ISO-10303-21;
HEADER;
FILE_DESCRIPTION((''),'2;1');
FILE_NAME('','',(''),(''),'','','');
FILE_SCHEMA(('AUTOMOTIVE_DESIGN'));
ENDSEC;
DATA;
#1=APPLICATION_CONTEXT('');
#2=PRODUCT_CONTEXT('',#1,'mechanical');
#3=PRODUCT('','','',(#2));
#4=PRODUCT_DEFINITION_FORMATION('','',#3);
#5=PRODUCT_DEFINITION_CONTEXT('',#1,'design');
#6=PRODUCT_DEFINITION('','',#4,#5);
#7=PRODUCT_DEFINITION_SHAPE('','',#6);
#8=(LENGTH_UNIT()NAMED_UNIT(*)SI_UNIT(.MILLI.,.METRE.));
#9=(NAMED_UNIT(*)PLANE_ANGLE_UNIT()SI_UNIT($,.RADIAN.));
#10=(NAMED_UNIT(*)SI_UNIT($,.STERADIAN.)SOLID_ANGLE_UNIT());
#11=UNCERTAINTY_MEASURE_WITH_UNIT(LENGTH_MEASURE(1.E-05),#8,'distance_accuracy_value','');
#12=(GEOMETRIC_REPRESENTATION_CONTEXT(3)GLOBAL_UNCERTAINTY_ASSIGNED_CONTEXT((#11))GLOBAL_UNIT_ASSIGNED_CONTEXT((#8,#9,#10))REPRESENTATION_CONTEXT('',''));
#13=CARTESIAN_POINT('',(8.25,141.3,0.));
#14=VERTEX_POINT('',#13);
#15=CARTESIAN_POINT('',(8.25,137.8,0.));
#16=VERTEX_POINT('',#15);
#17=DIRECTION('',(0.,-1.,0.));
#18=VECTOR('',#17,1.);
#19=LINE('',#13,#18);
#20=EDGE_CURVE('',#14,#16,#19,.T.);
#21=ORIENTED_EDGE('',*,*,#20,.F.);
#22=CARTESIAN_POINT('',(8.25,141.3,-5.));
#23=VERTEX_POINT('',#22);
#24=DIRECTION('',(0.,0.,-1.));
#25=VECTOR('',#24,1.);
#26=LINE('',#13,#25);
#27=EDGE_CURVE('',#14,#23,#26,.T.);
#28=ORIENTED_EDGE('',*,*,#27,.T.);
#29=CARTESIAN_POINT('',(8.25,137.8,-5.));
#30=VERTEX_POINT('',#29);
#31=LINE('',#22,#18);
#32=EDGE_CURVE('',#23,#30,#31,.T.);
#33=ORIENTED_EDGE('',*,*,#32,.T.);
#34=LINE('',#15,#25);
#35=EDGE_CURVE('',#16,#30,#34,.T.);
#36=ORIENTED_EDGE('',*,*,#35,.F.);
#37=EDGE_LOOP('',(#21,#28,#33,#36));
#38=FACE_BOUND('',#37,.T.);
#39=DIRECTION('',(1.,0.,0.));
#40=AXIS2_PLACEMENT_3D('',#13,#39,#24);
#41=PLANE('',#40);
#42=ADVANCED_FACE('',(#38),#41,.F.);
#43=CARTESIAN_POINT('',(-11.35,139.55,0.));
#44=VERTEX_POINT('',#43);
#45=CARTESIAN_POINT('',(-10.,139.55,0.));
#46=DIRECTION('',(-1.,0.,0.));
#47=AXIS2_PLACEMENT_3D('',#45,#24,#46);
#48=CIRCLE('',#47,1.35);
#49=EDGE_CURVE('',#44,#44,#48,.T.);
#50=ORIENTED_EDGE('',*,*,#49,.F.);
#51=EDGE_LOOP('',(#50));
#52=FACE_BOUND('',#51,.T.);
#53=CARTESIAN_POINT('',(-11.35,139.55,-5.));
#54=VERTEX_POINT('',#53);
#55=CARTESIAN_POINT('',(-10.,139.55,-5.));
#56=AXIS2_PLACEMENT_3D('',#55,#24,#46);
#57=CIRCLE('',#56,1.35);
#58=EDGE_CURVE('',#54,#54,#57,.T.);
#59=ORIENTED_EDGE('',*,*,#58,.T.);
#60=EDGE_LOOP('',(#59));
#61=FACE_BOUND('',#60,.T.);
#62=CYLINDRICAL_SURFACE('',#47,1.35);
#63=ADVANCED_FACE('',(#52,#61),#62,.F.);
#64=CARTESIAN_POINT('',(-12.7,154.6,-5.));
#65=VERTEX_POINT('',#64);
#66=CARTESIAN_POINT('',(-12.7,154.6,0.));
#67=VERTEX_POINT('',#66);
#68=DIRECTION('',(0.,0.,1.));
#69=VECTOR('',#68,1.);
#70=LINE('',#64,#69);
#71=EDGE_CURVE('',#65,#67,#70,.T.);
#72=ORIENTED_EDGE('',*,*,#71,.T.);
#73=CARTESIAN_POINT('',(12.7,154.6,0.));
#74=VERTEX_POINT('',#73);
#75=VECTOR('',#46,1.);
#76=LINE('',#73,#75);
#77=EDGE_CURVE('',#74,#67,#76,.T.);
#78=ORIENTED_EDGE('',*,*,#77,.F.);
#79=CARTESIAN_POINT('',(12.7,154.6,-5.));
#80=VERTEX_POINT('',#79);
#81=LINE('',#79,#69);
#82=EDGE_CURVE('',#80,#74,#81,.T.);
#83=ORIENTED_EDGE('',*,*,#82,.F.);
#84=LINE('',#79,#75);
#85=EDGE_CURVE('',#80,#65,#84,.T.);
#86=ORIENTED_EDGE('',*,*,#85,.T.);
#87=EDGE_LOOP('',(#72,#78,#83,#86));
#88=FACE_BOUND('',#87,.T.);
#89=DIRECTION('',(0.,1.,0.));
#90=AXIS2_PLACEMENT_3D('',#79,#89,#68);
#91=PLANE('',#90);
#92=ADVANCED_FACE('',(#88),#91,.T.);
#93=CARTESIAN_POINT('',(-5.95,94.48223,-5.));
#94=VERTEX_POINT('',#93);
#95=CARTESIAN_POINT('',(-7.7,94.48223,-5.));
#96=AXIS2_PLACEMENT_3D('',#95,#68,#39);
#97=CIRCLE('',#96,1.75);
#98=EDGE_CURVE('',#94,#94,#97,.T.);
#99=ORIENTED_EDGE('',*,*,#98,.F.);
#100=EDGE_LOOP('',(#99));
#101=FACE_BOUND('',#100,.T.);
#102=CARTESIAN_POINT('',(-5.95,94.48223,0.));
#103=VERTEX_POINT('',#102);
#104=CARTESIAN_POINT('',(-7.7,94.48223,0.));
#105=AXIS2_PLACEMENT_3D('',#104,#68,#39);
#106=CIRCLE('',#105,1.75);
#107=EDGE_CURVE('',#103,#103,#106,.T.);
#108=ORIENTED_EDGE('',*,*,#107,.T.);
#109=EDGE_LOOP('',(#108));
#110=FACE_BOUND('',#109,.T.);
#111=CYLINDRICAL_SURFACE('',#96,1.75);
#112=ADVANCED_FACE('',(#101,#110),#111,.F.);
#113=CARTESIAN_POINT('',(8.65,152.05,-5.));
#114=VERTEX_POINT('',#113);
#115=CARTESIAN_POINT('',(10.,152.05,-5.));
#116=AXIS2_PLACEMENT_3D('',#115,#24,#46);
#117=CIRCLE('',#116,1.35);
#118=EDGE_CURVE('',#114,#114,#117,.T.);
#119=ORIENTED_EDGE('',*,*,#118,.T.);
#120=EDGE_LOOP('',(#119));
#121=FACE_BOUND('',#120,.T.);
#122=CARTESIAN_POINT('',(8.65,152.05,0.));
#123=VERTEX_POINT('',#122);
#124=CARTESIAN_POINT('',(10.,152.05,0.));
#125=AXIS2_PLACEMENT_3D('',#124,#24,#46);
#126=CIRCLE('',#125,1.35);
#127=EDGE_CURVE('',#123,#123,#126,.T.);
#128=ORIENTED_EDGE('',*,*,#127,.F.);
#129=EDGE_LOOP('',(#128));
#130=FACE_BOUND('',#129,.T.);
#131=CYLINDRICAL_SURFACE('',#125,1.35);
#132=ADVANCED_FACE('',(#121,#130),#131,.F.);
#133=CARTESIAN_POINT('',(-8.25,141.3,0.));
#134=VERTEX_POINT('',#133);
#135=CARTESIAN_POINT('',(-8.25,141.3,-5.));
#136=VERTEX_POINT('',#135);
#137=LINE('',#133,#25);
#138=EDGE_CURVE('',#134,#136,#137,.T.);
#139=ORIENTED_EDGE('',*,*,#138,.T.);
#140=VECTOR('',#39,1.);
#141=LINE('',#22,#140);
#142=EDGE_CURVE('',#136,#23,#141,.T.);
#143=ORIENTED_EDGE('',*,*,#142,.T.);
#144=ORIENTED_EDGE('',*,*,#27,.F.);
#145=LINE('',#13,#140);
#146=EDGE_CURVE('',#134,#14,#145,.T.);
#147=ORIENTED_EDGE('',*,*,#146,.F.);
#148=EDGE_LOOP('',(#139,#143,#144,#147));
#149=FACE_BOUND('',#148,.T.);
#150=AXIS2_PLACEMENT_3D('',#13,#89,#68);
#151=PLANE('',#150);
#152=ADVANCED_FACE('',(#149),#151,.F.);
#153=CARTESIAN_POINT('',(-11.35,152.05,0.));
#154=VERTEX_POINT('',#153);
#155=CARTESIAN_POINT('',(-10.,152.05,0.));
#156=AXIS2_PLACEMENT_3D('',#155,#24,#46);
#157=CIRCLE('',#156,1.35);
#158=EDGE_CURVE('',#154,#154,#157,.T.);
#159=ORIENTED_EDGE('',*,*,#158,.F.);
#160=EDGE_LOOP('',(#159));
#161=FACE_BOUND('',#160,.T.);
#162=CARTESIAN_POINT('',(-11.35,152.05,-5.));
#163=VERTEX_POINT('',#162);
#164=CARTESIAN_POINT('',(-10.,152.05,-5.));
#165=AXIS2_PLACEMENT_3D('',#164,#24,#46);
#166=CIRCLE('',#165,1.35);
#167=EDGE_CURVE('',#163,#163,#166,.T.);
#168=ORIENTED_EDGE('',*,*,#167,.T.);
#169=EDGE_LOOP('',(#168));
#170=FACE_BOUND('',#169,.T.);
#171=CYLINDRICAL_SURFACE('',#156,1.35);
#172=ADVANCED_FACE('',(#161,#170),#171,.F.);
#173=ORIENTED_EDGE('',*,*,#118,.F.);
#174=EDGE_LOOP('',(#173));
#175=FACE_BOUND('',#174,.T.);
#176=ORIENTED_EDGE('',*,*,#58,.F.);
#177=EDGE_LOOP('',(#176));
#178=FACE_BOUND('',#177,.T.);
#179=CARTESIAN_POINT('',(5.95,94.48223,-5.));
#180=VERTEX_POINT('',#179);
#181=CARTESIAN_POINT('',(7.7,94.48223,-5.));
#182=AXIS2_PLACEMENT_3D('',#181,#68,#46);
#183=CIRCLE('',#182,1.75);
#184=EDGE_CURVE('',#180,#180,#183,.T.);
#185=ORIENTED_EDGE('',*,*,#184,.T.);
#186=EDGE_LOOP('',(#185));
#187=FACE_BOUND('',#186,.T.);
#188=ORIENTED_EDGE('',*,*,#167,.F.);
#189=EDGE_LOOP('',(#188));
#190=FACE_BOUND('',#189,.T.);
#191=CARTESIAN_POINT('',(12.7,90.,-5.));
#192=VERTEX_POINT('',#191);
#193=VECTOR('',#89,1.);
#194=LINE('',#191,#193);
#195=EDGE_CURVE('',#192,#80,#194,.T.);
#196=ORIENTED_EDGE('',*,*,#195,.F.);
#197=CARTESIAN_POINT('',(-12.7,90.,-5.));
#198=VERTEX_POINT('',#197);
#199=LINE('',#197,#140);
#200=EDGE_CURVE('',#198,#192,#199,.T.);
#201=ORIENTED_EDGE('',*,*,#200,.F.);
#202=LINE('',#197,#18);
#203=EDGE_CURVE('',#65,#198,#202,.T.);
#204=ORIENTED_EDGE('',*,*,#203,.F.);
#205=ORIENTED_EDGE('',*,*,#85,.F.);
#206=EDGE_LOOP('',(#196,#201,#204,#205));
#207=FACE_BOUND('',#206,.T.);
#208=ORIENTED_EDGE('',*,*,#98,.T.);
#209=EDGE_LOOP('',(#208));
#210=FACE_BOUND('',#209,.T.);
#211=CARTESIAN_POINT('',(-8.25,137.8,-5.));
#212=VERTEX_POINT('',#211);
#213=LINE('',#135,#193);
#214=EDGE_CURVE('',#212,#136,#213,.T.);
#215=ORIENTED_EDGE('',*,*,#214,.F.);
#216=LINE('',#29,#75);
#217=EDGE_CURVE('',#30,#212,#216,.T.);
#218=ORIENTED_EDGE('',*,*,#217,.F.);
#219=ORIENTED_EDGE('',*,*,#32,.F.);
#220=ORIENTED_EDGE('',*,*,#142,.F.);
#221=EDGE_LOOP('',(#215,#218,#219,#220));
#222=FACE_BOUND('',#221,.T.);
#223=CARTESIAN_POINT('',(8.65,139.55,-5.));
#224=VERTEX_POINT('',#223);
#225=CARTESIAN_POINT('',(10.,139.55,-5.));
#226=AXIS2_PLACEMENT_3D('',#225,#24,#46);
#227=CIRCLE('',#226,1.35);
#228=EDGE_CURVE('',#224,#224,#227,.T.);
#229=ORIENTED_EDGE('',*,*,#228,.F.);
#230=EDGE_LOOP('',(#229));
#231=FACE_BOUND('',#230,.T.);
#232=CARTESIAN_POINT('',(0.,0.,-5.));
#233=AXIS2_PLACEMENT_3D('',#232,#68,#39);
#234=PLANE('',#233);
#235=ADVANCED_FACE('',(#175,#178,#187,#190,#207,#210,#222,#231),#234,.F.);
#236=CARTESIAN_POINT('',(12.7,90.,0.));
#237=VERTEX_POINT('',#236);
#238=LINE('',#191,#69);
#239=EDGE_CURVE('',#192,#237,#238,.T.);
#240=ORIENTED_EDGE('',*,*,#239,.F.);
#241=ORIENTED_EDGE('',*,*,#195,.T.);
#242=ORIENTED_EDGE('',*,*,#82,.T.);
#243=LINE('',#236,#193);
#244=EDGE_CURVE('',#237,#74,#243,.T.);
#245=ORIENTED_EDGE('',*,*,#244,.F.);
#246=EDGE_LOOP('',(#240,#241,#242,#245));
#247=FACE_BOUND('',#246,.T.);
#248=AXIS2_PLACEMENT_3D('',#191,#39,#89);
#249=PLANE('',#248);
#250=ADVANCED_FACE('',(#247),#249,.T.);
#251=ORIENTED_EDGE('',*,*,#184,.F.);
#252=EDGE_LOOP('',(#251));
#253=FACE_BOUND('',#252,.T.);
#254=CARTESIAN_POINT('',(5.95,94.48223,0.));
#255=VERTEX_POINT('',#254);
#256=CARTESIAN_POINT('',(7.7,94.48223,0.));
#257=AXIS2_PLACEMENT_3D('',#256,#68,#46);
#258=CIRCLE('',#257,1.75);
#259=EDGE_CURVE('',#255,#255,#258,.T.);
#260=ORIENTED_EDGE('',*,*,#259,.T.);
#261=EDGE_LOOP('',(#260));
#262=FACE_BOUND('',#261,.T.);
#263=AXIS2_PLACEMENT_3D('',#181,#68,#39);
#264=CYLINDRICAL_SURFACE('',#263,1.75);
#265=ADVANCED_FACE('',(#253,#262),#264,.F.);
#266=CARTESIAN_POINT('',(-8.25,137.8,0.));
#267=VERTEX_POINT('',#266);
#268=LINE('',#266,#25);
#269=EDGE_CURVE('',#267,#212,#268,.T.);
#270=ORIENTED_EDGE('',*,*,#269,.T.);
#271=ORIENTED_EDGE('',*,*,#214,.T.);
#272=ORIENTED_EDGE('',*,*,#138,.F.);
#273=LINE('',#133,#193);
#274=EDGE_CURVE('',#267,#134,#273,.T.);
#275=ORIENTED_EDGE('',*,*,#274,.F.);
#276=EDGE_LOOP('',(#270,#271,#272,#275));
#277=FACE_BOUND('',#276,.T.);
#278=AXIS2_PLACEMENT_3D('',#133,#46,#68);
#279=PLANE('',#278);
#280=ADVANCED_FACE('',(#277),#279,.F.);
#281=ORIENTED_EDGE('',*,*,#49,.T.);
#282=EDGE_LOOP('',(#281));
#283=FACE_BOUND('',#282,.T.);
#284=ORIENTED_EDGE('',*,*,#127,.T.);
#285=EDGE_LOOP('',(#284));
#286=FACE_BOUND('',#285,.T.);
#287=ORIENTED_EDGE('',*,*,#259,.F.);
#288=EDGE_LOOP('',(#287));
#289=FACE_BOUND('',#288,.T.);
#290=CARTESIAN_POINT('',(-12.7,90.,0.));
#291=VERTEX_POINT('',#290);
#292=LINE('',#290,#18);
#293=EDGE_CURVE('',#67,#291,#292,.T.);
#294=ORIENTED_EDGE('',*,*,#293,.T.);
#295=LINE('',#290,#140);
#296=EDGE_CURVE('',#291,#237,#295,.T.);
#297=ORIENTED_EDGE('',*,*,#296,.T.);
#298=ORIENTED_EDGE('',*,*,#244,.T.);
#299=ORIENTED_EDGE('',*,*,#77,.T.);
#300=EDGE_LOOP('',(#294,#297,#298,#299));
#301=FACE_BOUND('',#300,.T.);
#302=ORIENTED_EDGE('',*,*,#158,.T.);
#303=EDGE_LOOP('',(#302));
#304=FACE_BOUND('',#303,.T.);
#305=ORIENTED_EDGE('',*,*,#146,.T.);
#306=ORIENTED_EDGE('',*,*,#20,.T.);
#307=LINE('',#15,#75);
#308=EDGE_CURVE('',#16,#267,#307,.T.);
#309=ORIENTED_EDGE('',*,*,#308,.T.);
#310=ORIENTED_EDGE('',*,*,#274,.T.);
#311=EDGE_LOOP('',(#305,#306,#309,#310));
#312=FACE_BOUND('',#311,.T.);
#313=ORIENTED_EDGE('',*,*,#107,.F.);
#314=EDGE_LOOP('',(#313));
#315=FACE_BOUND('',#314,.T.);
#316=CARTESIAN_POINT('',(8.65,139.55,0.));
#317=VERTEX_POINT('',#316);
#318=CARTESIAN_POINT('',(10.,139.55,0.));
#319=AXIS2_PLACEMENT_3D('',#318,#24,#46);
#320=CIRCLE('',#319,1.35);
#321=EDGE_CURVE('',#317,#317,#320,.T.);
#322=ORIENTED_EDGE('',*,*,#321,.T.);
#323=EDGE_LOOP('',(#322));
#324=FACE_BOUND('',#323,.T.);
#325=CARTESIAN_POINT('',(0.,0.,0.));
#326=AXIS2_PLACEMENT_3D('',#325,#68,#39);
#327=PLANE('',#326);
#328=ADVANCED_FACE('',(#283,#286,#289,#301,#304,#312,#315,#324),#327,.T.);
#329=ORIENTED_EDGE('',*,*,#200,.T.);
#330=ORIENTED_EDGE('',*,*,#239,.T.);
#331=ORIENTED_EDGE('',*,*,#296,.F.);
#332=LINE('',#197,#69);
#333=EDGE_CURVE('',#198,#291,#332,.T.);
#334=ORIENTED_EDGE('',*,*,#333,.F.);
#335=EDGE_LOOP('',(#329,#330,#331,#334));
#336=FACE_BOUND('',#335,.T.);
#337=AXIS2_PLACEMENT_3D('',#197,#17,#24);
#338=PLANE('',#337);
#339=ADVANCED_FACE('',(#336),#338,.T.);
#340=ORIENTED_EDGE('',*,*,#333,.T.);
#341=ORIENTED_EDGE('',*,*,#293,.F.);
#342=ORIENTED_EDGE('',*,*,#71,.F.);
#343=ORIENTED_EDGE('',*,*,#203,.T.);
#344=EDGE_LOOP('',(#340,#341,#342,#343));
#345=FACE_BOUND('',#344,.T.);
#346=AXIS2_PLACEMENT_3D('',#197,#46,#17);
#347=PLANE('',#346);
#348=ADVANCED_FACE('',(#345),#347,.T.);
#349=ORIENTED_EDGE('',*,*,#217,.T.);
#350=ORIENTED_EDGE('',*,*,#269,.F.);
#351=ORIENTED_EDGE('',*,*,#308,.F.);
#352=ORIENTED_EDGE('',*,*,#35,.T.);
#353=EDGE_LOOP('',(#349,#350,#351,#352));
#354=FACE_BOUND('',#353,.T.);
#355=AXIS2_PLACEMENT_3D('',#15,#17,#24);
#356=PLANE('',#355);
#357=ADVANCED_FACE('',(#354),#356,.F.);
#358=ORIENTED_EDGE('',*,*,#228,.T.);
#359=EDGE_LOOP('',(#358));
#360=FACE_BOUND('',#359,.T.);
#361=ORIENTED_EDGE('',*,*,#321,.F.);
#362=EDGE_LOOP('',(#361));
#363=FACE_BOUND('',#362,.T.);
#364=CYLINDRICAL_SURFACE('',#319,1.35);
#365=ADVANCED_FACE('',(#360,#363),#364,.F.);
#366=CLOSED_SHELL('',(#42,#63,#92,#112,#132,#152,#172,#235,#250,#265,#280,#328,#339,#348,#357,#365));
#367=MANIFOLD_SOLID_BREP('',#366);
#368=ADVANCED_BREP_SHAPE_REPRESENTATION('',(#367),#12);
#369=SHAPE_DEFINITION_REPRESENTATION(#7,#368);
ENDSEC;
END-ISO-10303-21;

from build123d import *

# Parameters (mm, degrees)
SKETCH1_W           = 25.4
SKETCH1_H           = 64.6
BOSS_EXTRUDE1_DEPTH = 5
SKETCH2_R           = 1.35
SKETCH2_W           = 16.5
SKETCH2_H           = 3.5
CUT_EXTRUDE1_DEPTH  = 6
SKETCH3_R           = 1.75
CUT_EXTRUDE2_DEPTH  = 6


with BuildPart() as part:
    # Sketch1 → Boss-Extrude1 (new body)
    with BuildSketch(Plane.XY):
        with Locations((0, 122.3)):
            Rectangle(SKETCH1_W, SKETCH1_H)
    extrude(amount=-BOSS_EXTRUDE1_DEPTH)

    # Sketch2 → Cut-Extrude1 (cut, through all)
    with BuildSketch(Plane(origin=(0, 0, -5), x_dir=(-1, 0, 0), z_dir=(0, 0, -1))):
        with Locations((-10, 152.05)):
            Circle(SKETCH2_R)
        with Locations((10, 152.05)):
            Circle(SKETCH2_R)
        with Locations((-10, 139.55)):
            Circle(SKETCH2_R)
        with Locations((10, 139.55)):
            Circle(SKETCH2_R)
        with Locations((0, 139.55)):
            Rectangle(SKETCH2_W, SKETCH2_H)
    extrude(amount=-CUT_EXTRUDE1_DEPTH, mode=Mode.SUBTRACT)

    # Sketch3 → Cut-Extrude2 (cut, through all)
    with BuildSketch(Plane.XY):
        with Locations((-7.7, 94.48222968)):
            Circle(SKETCH3_R)
        with Locations((7.7, 94.48222968)):
            Circle(SKETCH3_R)
    extrude(amount=-CUT_EXTRUDE2_DEPTH, mode=Mode.SUBTRACT)


solid = part.part
